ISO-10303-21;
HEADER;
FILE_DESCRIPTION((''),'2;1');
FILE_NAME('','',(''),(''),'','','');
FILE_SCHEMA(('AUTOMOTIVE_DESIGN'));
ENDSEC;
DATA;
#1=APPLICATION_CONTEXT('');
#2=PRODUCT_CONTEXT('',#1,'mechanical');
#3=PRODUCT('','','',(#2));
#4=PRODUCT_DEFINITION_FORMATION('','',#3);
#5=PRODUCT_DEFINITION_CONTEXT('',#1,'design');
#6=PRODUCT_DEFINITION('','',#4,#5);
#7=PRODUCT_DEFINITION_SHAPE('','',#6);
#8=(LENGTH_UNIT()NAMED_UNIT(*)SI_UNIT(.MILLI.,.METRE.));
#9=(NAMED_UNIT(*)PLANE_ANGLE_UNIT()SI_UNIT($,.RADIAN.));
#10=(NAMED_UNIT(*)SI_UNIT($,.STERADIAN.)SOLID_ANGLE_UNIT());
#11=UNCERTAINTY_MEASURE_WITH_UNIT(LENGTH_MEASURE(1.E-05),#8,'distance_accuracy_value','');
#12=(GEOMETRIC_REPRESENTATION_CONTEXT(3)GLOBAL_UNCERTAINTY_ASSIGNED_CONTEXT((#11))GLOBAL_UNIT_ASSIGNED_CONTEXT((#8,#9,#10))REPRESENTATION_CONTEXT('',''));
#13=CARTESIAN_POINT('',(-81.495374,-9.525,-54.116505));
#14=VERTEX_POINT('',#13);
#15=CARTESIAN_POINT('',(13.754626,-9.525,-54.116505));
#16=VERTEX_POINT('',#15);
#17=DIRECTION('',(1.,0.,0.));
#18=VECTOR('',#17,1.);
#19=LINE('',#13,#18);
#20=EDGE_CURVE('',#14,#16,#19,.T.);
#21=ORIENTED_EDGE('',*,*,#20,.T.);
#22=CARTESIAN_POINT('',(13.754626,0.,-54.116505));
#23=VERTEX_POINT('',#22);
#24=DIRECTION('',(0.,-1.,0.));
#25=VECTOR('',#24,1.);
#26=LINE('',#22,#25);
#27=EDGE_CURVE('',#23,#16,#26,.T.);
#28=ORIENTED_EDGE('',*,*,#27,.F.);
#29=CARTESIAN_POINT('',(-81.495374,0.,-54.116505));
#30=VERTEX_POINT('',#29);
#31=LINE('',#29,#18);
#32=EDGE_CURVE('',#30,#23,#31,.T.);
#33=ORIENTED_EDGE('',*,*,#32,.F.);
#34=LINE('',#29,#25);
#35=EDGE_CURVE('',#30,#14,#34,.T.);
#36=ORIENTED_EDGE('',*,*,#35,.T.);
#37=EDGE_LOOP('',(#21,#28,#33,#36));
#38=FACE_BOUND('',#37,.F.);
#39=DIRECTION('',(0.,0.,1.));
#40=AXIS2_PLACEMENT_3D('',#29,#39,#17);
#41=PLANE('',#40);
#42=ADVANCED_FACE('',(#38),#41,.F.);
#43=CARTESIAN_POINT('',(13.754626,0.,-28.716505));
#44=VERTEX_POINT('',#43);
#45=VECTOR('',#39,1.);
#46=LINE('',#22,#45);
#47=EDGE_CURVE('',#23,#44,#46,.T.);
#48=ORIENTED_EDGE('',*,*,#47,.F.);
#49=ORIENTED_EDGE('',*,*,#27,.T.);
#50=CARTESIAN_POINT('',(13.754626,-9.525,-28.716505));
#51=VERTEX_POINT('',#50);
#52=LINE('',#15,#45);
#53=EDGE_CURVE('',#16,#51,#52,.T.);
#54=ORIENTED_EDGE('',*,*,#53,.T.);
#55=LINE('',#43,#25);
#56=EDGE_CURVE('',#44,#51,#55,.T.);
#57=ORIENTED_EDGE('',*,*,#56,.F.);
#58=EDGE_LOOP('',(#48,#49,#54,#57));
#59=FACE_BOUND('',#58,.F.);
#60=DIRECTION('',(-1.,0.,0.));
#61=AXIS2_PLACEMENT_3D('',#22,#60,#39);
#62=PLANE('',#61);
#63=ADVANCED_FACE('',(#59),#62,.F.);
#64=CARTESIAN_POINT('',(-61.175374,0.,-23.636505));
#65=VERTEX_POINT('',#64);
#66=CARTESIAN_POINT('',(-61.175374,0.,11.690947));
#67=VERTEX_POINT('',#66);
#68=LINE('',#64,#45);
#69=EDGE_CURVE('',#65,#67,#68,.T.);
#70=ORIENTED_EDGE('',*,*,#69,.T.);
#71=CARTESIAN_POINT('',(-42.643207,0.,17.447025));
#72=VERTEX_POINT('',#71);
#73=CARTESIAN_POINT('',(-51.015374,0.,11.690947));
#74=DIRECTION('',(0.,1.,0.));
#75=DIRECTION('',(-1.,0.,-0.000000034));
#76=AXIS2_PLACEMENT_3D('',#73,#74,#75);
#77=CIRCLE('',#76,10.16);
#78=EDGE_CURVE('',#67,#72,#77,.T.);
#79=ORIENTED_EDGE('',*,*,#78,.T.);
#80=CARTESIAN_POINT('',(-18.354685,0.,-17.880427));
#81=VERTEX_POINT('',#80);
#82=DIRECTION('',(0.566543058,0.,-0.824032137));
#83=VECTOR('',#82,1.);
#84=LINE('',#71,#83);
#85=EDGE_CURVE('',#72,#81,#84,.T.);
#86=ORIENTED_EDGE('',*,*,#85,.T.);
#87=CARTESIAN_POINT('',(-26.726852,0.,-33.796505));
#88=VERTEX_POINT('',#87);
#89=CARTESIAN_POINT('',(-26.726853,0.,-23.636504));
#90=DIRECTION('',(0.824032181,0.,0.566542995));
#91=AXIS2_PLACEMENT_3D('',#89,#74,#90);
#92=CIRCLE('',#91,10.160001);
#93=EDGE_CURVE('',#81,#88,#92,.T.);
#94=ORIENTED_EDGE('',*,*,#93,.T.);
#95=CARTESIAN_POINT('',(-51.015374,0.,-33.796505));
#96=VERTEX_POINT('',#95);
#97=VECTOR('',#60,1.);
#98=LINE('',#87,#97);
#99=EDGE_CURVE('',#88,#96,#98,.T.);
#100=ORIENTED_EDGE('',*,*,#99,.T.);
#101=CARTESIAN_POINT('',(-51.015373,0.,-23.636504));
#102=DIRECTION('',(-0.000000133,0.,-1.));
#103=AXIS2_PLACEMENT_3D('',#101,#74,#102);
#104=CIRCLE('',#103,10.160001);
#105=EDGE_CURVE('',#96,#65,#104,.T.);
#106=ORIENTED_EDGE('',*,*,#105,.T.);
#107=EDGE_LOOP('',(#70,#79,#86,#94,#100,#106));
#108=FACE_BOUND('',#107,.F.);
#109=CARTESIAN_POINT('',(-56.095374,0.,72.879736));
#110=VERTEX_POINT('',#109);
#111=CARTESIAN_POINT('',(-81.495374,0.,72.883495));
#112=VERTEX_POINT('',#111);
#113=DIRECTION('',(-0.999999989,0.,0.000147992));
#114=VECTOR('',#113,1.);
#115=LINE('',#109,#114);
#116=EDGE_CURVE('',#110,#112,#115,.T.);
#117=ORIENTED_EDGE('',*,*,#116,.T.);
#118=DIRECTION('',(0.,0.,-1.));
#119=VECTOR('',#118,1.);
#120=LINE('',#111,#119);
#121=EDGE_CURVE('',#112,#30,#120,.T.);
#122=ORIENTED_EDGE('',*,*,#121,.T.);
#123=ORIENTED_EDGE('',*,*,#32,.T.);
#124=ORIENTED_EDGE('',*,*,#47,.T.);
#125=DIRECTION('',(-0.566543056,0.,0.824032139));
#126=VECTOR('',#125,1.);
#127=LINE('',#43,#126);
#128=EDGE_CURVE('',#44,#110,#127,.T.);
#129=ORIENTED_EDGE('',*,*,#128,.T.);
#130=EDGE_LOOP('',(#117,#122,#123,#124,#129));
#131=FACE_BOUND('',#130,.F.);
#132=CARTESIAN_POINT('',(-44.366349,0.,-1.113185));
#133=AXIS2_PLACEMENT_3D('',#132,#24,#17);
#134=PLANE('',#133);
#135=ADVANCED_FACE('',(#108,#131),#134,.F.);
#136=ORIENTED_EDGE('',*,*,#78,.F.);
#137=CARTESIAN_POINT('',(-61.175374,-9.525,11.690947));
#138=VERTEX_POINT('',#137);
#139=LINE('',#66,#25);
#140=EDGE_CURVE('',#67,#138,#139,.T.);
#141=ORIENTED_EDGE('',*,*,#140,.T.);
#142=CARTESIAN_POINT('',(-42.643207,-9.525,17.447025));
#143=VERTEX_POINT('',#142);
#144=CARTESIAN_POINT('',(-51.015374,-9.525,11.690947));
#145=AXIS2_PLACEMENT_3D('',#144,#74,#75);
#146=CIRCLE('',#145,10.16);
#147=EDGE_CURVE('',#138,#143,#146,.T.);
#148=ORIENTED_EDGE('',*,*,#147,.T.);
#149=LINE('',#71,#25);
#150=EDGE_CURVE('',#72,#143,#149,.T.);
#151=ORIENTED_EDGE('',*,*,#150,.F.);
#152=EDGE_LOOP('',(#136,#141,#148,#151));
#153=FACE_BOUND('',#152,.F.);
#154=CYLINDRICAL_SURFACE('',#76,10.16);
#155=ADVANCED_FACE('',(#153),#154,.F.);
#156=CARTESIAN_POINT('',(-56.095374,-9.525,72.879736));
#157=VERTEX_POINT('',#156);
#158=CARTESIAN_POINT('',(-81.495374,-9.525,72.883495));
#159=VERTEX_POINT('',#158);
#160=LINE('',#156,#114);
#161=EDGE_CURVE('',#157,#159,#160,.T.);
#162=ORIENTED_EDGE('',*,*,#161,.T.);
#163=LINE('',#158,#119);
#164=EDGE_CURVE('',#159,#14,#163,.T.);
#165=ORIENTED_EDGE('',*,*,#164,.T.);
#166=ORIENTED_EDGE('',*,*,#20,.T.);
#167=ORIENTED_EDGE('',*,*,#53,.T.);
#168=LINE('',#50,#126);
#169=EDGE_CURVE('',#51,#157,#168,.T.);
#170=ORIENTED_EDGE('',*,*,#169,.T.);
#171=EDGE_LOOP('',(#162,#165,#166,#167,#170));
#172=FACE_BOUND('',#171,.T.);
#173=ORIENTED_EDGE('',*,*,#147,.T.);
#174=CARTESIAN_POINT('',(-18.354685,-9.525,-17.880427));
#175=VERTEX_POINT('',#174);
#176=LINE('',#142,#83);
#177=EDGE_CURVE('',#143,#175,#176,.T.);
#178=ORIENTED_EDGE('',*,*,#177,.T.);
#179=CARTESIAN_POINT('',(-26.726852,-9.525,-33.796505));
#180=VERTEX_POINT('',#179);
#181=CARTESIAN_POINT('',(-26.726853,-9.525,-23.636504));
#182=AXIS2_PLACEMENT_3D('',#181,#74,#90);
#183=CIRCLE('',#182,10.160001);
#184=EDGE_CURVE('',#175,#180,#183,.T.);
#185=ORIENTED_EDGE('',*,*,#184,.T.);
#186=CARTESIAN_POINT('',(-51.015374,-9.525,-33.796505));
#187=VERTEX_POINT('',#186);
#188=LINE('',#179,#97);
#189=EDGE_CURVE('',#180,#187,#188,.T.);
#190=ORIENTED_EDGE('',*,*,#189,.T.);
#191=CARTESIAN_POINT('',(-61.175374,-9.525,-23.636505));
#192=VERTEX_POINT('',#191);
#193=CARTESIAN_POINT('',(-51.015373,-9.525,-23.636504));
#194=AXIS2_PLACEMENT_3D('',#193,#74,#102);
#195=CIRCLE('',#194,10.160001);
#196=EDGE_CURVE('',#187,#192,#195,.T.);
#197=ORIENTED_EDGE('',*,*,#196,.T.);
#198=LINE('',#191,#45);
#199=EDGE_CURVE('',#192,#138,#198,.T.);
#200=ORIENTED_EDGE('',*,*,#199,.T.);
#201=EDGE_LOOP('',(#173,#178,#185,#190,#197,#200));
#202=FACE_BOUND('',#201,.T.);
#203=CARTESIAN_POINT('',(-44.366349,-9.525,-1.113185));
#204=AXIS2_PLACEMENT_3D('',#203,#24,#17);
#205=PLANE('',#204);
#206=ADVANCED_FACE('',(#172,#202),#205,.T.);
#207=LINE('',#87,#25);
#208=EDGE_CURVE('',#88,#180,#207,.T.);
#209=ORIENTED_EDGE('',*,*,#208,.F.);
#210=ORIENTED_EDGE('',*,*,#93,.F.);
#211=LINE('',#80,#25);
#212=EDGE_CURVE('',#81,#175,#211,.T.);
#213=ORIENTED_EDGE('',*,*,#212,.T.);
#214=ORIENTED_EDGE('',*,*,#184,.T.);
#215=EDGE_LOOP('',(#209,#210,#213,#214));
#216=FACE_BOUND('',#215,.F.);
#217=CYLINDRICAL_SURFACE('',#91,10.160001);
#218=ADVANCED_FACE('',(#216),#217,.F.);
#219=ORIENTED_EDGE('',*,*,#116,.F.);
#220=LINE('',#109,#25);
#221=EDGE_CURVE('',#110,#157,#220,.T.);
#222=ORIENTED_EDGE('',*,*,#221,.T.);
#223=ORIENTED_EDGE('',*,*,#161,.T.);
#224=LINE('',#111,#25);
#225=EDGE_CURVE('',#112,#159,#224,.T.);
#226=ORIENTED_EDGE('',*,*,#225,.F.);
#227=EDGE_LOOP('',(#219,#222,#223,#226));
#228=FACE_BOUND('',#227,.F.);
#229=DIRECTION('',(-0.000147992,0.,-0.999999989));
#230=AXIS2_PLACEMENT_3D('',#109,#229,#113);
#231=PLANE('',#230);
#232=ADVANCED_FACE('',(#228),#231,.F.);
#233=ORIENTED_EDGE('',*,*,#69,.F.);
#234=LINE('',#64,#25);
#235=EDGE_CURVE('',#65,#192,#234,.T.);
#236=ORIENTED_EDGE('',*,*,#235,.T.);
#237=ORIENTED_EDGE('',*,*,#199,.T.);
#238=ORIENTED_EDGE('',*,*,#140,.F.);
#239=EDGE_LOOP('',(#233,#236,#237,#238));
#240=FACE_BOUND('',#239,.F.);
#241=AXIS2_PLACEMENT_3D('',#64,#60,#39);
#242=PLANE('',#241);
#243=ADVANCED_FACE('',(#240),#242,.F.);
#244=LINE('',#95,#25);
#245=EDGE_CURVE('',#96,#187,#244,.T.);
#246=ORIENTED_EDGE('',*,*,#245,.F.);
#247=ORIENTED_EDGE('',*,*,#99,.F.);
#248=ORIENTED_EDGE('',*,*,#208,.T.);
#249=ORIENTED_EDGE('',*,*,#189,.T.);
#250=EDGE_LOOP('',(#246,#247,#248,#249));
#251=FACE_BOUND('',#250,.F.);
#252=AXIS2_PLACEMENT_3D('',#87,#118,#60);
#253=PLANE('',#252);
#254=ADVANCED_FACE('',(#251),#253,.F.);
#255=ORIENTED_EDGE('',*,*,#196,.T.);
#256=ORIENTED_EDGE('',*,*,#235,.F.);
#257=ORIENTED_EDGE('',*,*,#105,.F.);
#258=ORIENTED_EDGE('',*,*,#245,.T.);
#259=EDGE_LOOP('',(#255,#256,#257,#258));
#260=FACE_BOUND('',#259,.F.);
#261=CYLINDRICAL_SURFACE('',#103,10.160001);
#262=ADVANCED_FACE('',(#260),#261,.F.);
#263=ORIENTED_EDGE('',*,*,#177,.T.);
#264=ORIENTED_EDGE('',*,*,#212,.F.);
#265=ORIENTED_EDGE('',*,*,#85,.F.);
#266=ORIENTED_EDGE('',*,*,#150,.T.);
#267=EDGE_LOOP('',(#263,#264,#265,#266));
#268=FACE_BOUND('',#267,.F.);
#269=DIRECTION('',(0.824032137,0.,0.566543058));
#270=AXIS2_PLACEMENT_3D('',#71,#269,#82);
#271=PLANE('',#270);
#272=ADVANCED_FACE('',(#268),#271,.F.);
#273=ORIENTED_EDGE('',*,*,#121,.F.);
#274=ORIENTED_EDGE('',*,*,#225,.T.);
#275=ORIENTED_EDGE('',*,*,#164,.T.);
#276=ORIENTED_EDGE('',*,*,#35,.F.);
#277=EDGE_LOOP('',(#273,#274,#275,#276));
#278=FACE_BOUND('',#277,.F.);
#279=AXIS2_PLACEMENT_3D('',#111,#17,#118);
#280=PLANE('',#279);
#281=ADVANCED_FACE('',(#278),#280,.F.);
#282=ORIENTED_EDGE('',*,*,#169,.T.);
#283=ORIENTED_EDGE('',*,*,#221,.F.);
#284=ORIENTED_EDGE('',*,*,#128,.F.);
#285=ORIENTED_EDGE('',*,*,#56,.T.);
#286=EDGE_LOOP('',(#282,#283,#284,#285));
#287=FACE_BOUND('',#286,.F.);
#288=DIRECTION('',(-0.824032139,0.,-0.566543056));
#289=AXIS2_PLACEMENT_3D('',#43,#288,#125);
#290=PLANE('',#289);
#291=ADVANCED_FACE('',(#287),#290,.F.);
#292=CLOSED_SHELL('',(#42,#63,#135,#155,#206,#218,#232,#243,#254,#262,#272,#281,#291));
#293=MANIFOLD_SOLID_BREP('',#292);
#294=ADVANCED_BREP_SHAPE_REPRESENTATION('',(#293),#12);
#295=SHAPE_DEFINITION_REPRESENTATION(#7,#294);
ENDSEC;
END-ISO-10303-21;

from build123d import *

# Parameters (mm, degrees)
F1_DEPTH = 9.525


with BuildPart() as f1:
    # F0 (on Front) → F1 (new body)
    with BuildSketch(Plane.XZ):
        Polygon((-56.095374, 72.879736), (-81.495374, 72.883495), (-81.495374, -54.116505), (13.754626, -54.116505), (13.754626, -28.716505), align=None)
        with BuildLine():
            ThreePointArc((-61.175374, 11.690947), (-54.029042, 21.3937), (-42.643207, 17.447025))
            Line((-42.643207, 17.447025), (-18.354685, -17.880427))
            ThreePointArc((-18.354685, -17.880427), (-17.734985, -28.366402), (-26.726852, -33.796505))
            Line((-26.726852, -33.796505), (-51.015374, -33.796505))
            ThreePointArc((-51.015374, -33.796505), (-58.199579, -30.820709), (-61.175374, -23.636505))
            Line((-61.175374, -23.636505), (-61.175374, 11.690947))
        make_face(mode=Mode.SUBTRACT)
    extrude(amount=F1_DEPTH)


solid = f1.part
